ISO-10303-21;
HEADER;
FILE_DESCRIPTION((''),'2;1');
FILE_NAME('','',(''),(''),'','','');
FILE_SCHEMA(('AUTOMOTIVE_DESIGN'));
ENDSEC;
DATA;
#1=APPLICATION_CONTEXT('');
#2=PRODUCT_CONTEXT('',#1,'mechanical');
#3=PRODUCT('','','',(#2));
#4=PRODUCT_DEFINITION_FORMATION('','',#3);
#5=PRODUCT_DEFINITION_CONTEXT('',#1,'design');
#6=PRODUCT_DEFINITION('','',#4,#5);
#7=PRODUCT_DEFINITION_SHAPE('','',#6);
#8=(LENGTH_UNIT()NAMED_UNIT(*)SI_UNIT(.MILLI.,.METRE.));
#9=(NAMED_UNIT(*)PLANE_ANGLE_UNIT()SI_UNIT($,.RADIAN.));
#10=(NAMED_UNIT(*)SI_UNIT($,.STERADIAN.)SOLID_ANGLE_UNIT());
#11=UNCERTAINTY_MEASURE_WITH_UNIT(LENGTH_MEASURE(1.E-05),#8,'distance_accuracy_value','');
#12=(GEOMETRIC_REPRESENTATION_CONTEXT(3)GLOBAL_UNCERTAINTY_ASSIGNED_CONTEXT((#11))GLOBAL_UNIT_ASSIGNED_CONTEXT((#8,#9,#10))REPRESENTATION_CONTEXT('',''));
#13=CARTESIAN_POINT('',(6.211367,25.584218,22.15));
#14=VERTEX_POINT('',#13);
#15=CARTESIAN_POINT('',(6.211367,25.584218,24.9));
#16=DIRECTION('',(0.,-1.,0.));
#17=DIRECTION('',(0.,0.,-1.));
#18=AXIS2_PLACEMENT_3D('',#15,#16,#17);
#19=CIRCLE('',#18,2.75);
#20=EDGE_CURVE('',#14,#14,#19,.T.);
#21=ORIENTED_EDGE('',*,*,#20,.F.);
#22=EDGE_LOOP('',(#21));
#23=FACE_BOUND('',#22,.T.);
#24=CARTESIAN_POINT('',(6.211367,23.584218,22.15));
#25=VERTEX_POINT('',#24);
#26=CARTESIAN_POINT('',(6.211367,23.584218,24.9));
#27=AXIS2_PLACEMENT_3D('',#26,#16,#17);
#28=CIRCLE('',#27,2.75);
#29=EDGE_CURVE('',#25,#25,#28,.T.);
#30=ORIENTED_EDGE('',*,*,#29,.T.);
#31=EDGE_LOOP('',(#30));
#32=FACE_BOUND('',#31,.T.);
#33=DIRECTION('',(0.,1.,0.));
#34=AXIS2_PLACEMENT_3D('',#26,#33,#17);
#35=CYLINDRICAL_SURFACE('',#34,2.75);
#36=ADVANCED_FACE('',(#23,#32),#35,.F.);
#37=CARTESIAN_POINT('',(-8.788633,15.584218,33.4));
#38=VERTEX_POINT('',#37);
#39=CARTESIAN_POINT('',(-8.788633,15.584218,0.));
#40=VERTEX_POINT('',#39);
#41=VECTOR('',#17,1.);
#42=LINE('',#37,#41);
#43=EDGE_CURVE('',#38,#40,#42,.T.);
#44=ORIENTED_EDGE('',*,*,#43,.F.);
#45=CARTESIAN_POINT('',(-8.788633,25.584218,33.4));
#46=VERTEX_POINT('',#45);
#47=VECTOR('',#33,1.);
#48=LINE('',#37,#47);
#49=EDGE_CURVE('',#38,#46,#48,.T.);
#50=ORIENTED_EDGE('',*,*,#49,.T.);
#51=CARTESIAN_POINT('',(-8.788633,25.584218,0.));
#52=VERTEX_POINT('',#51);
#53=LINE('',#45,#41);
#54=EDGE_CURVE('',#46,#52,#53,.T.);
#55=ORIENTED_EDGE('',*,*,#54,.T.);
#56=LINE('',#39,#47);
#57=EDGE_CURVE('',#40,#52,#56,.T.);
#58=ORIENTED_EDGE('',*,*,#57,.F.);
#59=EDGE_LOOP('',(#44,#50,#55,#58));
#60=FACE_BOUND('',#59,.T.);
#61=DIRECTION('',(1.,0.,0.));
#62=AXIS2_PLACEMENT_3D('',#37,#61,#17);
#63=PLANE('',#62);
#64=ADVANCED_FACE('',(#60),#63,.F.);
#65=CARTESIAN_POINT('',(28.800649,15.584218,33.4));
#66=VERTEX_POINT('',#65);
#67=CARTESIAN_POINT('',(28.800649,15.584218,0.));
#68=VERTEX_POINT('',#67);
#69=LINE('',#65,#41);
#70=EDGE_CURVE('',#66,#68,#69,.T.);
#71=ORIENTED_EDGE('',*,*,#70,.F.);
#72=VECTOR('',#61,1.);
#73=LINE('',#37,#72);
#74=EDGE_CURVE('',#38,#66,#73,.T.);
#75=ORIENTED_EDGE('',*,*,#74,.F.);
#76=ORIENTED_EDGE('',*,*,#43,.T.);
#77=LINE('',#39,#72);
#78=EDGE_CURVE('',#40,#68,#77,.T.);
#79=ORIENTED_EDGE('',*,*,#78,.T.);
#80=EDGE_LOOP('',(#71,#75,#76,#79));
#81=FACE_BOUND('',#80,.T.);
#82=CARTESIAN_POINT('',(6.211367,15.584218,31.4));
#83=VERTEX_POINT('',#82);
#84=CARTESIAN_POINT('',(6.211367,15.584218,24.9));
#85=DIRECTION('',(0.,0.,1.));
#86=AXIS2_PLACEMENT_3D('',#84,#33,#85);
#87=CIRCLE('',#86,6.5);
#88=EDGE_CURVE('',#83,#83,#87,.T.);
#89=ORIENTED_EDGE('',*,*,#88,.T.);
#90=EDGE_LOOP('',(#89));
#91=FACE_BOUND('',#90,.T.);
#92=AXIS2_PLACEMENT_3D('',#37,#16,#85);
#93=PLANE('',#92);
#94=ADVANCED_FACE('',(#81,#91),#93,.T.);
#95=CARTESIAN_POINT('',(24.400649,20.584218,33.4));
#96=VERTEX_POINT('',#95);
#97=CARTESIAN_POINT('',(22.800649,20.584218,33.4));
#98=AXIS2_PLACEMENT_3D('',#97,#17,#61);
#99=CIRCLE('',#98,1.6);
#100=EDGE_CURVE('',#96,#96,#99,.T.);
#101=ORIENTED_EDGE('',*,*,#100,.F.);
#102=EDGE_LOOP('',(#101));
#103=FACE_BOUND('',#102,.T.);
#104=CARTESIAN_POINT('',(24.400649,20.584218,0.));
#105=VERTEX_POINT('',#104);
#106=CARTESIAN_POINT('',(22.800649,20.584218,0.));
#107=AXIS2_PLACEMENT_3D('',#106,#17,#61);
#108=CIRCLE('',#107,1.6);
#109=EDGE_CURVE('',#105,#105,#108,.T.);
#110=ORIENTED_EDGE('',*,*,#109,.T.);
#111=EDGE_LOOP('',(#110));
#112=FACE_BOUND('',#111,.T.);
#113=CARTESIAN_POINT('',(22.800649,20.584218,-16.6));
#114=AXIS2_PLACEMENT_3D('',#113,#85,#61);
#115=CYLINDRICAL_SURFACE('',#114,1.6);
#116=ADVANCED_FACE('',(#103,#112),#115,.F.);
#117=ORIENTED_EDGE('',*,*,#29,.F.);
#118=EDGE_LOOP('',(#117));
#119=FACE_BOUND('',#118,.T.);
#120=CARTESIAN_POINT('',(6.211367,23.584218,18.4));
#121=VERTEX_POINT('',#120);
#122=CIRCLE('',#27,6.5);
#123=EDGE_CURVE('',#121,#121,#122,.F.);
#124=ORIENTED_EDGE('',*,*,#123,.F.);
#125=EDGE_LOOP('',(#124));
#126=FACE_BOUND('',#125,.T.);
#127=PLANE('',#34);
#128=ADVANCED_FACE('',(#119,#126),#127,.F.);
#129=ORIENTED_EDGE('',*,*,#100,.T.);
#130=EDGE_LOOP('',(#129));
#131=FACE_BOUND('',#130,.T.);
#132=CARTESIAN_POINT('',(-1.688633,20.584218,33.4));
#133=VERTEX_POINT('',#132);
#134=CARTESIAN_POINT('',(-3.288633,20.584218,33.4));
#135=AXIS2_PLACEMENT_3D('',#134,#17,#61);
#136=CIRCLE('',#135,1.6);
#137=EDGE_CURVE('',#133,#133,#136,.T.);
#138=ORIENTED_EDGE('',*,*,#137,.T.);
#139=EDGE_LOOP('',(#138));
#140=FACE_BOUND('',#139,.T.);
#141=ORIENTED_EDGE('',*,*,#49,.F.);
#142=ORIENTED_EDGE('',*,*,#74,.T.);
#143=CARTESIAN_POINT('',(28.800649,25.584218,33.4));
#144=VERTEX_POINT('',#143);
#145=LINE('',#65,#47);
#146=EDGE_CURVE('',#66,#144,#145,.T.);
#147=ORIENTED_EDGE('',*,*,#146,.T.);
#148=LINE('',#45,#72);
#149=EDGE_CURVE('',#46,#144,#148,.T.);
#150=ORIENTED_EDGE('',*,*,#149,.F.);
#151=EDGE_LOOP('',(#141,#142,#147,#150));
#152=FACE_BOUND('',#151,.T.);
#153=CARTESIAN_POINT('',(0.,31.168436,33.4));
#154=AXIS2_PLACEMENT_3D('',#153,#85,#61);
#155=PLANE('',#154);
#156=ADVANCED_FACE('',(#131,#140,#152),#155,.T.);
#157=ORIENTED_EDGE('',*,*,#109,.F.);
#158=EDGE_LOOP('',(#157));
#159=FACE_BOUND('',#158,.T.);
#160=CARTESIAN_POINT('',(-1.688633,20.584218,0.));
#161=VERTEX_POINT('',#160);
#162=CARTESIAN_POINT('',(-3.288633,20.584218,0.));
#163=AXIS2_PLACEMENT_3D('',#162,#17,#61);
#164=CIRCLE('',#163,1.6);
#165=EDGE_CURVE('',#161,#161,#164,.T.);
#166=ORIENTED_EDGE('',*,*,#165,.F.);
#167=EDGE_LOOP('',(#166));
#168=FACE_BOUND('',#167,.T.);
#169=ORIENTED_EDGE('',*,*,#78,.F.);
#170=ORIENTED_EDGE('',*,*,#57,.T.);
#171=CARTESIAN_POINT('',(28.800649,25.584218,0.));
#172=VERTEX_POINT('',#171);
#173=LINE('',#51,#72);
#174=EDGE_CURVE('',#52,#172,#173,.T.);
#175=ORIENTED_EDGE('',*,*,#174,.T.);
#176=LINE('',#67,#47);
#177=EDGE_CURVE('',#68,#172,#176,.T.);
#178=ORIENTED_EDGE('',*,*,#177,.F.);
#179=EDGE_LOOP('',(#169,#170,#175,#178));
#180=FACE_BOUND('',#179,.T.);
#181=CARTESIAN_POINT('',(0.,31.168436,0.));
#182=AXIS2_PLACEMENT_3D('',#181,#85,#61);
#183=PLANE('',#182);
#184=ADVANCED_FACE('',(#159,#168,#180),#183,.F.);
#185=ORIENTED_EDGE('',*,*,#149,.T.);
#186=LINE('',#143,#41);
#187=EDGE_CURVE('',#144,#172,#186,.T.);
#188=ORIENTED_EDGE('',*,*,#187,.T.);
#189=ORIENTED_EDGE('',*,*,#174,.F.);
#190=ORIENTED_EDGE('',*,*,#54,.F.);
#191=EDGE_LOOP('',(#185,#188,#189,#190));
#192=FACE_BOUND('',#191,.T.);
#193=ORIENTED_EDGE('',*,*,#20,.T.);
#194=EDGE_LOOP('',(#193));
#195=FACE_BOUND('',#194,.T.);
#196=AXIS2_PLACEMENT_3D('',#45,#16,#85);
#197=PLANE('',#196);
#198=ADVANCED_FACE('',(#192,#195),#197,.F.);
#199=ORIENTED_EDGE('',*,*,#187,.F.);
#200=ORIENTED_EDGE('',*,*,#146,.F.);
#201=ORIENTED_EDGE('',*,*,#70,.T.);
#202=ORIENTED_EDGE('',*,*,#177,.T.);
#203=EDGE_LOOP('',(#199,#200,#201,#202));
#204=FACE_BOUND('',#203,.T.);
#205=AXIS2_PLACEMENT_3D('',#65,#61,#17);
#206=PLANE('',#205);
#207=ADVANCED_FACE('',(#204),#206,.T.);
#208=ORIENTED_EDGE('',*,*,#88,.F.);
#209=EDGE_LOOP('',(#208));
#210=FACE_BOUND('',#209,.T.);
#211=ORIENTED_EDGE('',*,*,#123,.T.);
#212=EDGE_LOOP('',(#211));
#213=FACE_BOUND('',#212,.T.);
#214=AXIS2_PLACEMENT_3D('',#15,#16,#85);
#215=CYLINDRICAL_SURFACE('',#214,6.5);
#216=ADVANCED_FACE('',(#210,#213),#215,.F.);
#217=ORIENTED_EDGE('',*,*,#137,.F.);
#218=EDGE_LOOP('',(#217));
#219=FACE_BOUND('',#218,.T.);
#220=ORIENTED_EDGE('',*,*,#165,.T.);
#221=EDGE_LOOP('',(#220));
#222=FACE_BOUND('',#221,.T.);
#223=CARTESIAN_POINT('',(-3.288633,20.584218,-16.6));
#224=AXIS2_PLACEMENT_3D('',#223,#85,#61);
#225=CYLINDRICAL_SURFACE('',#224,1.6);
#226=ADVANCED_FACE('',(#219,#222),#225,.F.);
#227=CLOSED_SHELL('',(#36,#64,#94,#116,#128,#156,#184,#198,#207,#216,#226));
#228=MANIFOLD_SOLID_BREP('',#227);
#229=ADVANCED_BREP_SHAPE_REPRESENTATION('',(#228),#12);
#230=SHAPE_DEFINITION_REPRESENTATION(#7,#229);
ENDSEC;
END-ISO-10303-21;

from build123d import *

# Parameters (mm, degrees)
SKETCH1_W           = 37.589281877
SKETCH1_H           = 10
BOSS_EXTRUDE1_DEPTH = 33.4
SKETCH2_R           = 6.5
CUT_EXTRUDE1_DEPTH  = 10
SKETCH3_R           = 1.6
CUT_EXTRUDE2_DEPTH  = 50
SKETCH4_R           = 6.6
SKETCH4_R_2         = 2.75
BOSS_EXTRUDE2_DEPTH = 2


with BuildPart() as part:
    # Sketch1 → Boss-Extrude1 (new body)
    with BuildSketch(Plane.XY):
        with Locations((10.006008035, 10.584218221)):
            Rectangle(SKETCH1_W, SKETCH1_H)
    extrude(amount=BOSS_EXTRUDE1_DEPTH)

    # Sketch2 → Cut-Extrude1 (cut)
    with BuildSketch(Plane(origin=(0, 15.584218221, 0), x_dir=(1, 0, 0), z_dir=(0, 1, 0))):
        with Locations(Location((6.211367096, -24.9, 0), (0, 0, 270))):
            Circle(SKETCH2_R)
    extrude(amount=-CUT_EXTRUDE1_DEPTH, mode=Mode.SUBTRACT)

    # Sketch3 → Cut-Extrude2 (cut)
    with BuildSketch(Plane.XY.offset(33.4)):
        with Locations((-3.288632904, 10.584218221)):
            Circle(SKETCH3_R)
        with Locations((22.800648973, 10.584218221)):
            Circle(SKETCH3_R)
    extrude(amount=-CUT_EXTRUDE2_DEPTH, mode=Mode.SUBTRACT)

    # Sketch4 → Boss-Extrude2 (add)
    with BuildSketch(Plane.XZ.offset(-5.584218221)):
        with Locations((6.211367096, 24.9)):
            Circle(SKETCH4_R)
        with Locations(Location((6.211367096, 24.9, 0), (0, 0, 270))):
            Circle(SKETCH4_R_2, mode=Mode.SUBTRACT)
    extrude(amount=-BOSS_EXTRUDE2_DEPTH)


with BuildPart() as body_2:
    # Mirror1: mirrored copy
    add(part.part.mirror(Plane(origin=(-8.788632904, 15.584218221, 33.4), x_dir=(0, 0, 1), z_dir=(0, 1, 0))))


solid = body_2.part
